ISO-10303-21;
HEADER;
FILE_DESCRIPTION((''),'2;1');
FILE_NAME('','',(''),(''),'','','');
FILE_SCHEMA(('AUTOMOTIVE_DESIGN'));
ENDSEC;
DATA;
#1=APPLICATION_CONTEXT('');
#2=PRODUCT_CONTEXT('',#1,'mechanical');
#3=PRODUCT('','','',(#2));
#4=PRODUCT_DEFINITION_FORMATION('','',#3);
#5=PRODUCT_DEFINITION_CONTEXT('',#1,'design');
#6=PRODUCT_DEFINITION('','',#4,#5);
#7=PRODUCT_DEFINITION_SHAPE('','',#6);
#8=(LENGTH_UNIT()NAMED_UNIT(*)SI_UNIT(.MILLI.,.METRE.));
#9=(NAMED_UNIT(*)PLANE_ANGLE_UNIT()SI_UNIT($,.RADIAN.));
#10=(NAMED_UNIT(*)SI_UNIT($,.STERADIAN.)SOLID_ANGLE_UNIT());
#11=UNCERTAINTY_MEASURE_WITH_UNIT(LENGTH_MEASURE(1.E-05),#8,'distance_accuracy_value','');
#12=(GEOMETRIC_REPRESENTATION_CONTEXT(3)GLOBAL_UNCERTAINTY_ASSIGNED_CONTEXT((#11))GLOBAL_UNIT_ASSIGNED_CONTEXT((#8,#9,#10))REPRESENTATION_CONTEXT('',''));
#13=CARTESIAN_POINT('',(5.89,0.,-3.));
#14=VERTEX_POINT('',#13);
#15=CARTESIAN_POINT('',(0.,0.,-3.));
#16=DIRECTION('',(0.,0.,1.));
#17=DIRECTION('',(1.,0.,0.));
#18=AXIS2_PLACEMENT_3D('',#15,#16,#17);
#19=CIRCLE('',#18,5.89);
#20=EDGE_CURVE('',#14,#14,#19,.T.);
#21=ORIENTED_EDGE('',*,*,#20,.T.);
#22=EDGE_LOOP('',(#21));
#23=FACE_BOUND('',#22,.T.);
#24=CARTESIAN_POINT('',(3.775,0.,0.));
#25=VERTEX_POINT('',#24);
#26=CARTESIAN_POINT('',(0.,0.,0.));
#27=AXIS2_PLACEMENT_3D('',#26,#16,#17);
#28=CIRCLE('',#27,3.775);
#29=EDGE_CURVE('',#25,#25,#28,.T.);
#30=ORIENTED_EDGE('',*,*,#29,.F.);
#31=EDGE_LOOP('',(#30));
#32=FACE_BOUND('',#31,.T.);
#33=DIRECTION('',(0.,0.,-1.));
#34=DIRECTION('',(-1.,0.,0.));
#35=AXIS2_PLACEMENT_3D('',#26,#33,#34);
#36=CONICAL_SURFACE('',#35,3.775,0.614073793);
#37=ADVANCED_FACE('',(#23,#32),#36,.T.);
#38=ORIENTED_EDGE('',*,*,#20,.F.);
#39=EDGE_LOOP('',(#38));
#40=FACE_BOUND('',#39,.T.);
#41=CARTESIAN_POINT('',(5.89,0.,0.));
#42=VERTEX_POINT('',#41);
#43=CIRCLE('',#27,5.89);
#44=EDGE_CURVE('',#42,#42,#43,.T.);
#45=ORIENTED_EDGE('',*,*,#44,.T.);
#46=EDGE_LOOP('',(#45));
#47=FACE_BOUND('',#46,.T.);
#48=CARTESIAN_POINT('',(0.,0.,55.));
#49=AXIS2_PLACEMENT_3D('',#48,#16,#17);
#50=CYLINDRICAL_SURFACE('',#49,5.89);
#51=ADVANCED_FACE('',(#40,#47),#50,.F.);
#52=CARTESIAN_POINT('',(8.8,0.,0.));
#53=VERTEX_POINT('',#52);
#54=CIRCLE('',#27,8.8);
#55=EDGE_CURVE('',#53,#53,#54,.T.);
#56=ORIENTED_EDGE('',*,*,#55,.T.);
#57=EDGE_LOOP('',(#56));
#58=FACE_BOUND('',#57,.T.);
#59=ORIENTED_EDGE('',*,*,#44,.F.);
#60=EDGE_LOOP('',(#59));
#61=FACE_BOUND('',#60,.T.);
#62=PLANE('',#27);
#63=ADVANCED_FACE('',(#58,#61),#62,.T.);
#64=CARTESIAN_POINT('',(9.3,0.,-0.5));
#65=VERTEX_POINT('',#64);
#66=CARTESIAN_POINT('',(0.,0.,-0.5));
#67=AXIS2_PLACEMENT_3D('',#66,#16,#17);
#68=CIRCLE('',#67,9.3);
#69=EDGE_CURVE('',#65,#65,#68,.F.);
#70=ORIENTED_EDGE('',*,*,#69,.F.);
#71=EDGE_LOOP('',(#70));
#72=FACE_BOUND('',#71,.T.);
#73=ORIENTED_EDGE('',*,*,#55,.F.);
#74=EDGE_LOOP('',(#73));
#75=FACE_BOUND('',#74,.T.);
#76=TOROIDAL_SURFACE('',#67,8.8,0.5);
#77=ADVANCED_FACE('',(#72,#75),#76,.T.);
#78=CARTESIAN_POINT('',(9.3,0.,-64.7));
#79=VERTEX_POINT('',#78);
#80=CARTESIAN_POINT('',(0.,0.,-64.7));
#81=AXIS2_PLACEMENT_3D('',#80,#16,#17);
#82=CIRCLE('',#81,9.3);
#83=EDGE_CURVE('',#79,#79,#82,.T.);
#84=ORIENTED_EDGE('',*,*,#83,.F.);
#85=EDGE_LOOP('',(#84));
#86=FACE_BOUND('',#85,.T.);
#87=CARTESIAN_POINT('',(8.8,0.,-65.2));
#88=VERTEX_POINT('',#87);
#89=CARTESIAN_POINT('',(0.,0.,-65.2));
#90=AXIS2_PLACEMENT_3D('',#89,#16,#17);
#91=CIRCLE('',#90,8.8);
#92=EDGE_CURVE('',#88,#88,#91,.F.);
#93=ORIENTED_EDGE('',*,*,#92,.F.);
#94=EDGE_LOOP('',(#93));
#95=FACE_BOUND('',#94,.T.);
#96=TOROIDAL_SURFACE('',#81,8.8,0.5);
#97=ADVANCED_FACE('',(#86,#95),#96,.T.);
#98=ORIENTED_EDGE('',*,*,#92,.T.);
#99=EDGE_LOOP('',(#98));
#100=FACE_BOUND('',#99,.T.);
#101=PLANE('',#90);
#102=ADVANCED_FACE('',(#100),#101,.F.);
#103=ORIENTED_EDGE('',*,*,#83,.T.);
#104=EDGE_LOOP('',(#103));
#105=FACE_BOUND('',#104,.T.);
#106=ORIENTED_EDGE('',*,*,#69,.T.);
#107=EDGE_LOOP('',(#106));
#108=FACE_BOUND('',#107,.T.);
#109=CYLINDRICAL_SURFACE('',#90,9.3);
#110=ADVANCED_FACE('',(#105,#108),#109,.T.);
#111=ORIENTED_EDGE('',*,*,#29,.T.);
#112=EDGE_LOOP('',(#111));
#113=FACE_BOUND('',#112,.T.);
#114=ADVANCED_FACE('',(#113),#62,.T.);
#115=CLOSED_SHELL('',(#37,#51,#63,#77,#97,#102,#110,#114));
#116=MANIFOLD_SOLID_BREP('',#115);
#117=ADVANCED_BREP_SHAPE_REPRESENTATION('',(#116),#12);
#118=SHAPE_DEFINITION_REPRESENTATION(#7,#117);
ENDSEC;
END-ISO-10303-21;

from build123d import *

# Parameters (mm, degrees)
SKETCH1_R           = 9.3
BOSS_EXTRUDE1_DEPTH = 65.2
FILLET1_R           = 0.5


with BuildPart() as part:
    # Sketch1 → Boss-Extrude1 (new body)
    with BuildSketch(Plane.XY):
        Circle(SKETCH1_R)
    extrude(amount=-BOSS_EXTRUDE1_DEPTH)

    # Sketch3 → Cut-Revolve1 (revolve, cut)
    with BuildSketch(Plane(origin=(0, 0, 0), x_dir=(0, 0, -1), z_dir=(1, 0, 0))):
        Polygon((0, 5.89), (0, 3.775), (3, 5.89), align=None)
    revolve(axis=Axis((0, 0, 55), (0, 0, -1)), mode=Mode.SUBTRACT)

    # Fillet1
    fillet1_edges = [part.edges().sort_by_distance(p)[0] for p in [
        (-9.3, 0, 0),
        (-9.3, 0, -65.2),
    ]]
    fillet(fillet1_edges, radius=FILLET1_R)


solid = part.part
